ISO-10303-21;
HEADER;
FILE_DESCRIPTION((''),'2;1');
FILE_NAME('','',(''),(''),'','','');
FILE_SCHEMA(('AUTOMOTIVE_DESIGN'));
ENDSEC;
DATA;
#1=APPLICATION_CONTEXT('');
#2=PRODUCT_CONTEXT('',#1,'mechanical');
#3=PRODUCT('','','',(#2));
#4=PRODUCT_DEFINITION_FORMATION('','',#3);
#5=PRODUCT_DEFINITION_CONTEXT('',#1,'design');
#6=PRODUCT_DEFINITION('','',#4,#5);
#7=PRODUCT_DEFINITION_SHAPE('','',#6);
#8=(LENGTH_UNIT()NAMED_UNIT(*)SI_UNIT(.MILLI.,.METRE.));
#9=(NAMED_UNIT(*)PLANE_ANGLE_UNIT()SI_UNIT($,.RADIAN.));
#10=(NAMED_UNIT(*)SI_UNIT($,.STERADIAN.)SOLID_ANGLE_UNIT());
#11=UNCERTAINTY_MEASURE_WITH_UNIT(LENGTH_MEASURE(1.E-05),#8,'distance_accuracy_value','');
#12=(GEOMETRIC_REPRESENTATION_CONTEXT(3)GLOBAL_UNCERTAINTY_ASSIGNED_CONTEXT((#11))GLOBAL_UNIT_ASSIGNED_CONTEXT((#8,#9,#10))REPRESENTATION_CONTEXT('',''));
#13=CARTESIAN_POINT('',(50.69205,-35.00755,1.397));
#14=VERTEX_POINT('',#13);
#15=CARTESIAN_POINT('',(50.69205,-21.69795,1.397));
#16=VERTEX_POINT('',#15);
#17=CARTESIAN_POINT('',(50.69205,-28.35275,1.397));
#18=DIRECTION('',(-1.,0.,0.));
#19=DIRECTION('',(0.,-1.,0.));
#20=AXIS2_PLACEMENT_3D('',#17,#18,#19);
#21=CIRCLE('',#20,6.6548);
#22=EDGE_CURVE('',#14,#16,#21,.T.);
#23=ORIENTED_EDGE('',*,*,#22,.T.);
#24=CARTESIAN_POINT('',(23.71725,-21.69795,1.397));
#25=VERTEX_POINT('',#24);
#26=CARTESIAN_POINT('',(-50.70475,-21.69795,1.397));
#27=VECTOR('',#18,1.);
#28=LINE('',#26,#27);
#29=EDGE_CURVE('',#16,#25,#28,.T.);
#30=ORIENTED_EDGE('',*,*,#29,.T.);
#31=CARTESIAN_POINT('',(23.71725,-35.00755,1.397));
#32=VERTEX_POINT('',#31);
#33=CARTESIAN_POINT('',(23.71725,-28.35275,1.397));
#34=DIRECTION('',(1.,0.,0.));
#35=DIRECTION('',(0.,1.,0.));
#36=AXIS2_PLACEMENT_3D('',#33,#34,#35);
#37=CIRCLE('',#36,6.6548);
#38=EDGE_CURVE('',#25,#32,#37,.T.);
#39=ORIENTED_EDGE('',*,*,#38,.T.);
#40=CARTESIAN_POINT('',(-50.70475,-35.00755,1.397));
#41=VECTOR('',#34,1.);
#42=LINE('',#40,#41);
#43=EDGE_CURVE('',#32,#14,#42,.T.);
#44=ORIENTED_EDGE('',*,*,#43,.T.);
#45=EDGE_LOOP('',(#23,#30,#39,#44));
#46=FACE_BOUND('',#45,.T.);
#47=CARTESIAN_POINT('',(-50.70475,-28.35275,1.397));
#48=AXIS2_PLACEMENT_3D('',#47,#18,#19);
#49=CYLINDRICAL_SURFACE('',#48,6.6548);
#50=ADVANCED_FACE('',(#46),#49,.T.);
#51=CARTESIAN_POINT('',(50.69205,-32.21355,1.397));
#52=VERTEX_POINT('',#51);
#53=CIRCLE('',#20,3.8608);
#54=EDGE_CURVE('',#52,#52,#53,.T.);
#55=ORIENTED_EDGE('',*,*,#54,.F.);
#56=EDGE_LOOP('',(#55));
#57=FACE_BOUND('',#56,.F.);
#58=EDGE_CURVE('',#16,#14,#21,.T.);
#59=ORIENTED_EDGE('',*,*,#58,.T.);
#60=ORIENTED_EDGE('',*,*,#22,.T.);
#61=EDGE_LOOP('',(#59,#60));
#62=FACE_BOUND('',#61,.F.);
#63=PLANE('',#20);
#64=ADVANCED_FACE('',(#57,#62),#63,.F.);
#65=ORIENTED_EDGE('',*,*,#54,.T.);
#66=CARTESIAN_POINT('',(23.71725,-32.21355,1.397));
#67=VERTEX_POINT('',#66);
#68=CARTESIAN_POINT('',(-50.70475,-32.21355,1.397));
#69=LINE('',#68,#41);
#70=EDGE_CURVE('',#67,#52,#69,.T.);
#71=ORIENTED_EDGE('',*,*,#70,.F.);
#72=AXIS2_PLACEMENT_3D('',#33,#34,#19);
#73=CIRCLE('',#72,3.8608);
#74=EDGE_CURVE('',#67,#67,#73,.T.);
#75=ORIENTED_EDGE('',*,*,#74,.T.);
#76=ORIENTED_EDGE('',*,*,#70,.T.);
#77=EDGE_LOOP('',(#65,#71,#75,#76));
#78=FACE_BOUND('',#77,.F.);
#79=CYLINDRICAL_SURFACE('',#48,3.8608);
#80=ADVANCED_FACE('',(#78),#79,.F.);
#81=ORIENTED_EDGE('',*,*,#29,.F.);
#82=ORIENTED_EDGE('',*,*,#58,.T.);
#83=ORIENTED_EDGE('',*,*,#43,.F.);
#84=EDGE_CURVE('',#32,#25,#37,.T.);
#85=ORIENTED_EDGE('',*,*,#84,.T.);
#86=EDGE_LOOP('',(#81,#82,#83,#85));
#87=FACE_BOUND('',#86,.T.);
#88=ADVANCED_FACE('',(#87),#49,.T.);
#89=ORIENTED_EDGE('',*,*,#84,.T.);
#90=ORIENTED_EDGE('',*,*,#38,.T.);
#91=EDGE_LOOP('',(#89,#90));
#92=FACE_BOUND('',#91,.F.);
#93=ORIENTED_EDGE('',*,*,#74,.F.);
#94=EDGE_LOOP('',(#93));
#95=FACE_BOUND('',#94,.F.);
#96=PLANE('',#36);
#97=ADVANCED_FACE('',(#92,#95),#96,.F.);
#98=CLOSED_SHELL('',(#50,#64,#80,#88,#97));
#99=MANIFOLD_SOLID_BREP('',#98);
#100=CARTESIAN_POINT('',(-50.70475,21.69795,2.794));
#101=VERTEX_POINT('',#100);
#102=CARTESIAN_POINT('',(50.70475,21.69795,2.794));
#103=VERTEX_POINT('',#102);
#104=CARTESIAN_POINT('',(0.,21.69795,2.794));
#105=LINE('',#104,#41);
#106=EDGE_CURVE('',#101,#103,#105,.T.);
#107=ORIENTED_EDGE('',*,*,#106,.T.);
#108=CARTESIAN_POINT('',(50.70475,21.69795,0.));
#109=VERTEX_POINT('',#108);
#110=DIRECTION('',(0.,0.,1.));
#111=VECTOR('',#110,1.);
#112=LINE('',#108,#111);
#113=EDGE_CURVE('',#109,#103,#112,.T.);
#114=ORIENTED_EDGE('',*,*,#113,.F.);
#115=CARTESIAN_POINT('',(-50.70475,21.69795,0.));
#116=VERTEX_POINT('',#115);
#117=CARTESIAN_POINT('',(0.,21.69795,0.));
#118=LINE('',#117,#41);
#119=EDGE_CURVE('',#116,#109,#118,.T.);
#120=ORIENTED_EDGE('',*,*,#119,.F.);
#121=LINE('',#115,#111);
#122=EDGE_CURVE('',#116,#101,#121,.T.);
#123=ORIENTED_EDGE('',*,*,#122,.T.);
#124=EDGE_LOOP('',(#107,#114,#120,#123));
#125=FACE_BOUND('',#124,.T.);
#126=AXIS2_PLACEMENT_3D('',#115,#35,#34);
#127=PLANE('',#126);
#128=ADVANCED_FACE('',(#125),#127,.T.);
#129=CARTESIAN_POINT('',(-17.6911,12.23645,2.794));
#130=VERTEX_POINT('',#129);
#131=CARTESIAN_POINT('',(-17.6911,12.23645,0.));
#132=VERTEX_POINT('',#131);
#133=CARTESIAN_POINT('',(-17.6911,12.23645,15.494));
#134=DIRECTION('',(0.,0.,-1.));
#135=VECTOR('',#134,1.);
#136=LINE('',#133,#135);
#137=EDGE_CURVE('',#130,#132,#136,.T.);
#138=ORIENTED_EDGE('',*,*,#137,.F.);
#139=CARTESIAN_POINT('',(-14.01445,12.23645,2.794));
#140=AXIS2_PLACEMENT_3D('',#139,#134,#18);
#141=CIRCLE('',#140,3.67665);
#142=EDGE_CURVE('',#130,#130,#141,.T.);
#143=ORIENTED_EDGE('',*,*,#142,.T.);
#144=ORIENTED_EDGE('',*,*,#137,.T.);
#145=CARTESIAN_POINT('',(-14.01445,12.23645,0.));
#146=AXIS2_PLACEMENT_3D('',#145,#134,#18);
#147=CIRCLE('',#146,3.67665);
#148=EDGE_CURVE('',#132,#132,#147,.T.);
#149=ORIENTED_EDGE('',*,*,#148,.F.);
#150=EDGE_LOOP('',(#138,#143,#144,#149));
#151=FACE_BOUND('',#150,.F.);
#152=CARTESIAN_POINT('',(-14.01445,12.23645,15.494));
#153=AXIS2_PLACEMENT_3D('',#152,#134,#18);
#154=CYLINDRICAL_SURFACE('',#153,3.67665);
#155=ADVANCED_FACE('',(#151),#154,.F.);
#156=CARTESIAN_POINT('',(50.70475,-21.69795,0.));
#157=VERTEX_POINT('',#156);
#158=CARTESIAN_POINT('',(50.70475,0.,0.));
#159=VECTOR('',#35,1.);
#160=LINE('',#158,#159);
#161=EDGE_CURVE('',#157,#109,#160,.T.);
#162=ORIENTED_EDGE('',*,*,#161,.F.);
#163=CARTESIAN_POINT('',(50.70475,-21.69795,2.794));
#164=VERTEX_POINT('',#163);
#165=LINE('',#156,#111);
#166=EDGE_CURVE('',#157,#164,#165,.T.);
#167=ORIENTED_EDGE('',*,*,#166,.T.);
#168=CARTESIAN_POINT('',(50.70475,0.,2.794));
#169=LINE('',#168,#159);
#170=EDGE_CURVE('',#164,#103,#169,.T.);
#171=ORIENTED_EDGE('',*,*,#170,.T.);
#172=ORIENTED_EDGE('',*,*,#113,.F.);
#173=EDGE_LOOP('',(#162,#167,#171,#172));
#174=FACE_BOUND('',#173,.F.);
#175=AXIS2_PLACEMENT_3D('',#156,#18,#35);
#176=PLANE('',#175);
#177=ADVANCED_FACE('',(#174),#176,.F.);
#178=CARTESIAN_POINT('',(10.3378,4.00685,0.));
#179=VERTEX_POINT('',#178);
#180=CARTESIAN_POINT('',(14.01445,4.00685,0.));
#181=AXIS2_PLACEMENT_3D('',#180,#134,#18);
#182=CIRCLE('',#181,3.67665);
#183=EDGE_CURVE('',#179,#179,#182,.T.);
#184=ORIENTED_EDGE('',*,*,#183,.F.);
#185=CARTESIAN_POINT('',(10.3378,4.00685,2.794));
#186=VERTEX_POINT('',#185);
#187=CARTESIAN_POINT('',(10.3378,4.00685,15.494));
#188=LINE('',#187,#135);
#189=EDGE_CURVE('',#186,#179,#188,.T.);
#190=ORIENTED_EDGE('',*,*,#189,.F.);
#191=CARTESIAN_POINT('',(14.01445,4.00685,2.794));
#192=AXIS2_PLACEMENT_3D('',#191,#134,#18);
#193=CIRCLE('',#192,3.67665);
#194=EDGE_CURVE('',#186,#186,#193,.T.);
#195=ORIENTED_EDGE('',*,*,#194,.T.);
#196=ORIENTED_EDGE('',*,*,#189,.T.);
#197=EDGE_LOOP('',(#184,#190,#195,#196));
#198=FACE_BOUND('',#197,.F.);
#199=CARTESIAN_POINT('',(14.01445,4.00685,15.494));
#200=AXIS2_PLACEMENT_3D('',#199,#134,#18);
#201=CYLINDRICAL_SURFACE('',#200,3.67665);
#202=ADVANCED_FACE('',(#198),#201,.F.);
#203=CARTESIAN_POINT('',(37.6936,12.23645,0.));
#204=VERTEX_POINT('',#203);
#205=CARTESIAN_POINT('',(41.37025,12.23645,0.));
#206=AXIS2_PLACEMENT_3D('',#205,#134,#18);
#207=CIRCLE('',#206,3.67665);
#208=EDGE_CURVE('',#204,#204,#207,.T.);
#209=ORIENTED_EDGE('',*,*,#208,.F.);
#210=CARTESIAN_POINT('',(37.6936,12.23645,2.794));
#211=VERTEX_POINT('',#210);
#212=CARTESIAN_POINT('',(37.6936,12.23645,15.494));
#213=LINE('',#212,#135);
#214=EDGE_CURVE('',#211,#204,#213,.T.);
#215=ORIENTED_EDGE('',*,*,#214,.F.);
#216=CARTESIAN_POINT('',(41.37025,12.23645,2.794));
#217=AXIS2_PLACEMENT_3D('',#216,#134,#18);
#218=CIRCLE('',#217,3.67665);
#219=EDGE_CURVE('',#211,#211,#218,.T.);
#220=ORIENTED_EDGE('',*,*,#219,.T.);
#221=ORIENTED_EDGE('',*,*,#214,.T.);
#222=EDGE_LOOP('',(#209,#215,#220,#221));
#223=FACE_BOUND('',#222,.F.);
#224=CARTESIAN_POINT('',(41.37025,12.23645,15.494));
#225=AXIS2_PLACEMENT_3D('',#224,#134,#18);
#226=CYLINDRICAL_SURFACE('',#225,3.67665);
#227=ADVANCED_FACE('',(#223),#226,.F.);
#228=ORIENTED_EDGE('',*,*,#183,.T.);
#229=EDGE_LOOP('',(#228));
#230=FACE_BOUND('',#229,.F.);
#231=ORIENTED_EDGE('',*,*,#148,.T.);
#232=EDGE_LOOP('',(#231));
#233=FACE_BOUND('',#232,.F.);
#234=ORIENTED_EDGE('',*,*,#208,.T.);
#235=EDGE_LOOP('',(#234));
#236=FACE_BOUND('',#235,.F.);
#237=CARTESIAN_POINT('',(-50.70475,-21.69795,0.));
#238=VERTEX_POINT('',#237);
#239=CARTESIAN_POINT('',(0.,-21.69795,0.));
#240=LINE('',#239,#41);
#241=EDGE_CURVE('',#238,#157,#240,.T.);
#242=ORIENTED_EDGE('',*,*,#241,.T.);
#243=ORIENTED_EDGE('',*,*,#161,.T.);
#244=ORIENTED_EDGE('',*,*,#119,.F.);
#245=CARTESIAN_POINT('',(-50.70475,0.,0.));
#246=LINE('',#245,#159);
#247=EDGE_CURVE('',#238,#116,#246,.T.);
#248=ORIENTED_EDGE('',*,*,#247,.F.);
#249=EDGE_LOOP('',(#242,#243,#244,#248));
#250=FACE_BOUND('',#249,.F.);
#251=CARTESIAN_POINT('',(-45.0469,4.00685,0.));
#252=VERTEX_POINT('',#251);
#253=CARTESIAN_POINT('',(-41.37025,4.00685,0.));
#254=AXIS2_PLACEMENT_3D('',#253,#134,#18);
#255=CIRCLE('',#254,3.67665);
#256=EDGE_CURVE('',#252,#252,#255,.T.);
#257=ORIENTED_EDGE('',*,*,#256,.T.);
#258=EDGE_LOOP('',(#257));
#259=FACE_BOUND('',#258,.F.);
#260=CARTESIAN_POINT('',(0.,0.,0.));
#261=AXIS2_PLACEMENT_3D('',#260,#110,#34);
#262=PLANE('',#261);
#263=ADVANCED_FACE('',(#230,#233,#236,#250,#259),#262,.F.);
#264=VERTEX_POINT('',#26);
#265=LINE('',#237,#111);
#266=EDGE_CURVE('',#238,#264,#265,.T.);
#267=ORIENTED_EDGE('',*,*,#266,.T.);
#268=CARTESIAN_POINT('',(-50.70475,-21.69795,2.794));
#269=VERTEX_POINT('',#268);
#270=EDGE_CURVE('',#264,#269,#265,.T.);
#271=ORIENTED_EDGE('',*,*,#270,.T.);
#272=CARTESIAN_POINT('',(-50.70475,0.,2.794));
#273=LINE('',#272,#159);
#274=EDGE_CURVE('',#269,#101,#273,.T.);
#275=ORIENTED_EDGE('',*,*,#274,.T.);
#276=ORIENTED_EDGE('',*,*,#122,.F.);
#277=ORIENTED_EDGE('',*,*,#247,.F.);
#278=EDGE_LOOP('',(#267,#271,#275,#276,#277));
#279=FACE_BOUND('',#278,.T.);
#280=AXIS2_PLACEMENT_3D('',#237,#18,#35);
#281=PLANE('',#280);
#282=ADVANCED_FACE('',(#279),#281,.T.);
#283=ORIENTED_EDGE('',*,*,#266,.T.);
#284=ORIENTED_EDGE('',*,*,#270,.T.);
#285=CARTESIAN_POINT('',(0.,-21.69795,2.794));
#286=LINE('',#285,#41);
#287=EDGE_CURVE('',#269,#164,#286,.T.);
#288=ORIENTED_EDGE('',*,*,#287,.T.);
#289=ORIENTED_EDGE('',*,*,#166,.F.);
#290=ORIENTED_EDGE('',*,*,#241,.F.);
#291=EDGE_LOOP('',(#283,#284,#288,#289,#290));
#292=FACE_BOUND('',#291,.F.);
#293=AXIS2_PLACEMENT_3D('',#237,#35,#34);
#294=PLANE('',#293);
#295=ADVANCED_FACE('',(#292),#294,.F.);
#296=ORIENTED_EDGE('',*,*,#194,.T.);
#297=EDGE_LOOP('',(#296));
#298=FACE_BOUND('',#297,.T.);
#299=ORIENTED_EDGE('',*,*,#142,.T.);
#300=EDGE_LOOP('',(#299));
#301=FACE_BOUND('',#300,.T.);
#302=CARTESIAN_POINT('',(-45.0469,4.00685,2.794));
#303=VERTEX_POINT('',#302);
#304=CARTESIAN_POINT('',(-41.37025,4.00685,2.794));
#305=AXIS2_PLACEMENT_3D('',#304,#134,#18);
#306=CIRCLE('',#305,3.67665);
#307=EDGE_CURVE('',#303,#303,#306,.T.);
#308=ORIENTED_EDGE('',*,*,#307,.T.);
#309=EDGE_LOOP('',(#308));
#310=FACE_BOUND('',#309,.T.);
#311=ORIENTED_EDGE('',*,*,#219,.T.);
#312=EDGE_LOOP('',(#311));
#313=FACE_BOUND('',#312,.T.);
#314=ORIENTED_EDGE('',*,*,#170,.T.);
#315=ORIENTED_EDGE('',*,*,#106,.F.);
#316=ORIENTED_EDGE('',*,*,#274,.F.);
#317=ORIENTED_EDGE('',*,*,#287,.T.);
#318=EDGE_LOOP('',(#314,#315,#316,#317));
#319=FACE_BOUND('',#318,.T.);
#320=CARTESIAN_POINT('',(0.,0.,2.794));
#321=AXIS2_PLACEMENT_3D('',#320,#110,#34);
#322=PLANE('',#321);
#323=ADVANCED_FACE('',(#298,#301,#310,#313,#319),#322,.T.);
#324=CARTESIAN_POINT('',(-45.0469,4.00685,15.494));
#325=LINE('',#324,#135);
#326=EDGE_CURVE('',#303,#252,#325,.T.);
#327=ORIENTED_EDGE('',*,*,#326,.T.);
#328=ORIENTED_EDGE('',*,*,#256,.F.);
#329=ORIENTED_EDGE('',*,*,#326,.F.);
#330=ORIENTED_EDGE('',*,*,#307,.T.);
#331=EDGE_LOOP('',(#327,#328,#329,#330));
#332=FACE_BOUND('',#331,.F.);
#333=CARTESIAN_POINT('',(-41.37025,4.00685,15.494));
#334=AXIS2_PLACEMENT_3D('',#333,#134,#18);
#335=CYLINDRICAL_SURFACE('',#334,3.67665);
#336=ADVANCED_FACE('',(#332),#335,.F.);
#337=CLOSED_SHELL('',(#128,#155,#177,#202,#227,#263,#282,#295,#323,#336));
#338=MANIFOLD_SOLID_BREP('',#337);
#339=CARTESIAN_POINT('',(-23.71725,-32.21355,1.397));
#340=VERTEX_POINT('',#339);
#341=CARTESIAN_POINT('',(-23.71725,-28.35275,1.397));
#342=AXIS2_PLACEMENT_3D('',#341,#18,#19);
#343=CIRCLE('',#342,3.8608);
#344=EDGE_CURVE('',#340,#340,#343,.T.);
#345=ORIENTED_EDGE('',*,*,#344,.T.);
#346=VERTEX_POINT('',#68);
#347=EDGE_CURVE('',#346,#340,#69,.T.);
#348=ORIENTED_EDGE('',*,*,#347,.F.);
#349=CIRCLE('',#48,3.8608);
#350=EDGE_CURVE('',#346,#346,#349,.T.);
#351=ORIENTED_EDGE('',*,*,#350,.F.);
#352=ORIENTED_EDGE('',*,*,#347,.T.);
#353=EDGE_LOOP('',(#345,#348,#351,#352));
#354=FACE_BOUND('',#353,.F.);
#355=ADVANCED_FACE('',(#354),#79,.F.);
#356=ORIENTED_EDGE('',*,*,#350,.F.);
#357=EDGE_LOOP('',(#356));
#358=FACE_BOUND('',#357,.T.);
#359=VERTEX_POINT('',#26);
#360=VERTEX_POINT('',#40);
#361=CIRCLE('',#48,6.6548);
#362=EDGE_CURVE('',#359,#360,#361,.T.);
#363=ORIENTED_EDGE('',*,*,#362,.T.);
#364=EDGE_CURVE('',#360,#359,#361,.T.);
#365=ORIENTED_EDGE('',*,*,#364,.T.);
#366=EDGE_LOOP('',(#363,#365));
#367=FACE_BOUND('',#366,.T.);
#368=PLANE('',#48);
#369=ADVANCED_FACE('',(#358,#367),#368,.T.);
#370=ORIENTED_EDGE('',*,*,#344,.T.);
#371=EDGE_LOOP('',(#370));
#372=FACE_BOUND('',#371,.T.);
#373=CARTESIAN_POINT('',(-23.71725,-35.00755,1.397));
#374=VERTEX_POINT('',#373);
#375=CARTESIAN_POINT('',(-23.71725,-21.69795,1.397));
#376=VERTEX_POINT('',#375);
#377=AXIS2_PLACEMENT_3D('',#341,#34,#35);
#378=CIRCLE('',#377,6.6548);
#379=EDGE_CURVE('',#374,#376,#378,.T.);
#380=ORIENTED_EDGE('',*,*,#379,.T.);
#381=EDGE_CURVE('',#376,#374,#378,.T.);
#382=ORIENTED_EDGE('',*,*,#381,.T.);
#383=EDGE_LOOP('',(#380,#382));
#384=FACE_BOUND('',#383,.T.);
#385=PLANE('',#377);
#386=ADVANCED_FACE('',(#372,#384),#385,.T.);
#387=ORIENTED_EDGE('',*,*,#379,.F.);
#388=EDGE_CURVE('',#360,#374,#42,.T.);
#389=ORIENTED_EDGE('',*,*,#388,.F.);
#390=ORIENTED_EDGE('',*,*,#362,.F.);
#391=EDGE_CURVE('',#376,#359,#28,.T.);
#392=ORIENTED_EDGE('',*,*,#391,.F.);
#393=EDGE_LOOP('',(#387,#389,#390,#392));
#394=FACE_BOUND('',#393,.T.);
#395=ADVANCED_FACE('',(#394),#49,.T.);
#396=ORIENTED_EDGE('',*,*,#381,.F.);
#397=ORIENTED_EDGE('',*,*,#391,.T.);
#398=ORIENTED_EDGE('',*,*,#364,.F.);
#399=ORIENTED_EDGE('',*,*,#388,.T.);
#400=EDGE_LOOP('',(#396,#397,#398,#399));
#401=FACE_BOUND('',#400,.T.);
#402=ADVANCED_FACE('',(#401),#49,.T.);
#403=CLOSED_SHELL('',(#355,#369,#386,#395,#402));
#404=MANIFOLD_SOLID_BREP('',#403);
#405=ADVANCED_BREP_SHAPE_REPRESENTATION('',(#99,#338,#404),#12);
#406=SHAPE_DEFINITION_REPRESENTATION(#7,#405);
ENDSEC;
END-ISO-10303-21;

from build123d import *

# Parameters (mm, degrees)
F0_W          = 101.4095
F0_H          = 43.3959
F1_DEPTH      = 2.794
F2_R          = 6.6548
F2_R_2        = 3.8608
F3_DEPTH      = 101.3968
F4_R          = 6.6548
F4_R_2        = 3.8608
F5_DEPTH      = 23.71725
F5_DEPTH_BACK = 23.71725
F7_D          = 7.3533
F7_DEPTH      = 12.7


with BuildPart() as f1:
    # F0 (on Top) → F1 (new body)
    with BuildSketch(Plane.XY):
        Rectangle(F0_W, F0_H)
    extrude(amount=F1_DEPTH)

    # F2 (on face) → F3 (join)
    with BuildSketch(Plane(origin=(-50.70475, 0, 0), x_dir=(0, -1, 0), z_dir=(-1, 0, 0))):
        with Locations((28.35275, 1.397)):
            Circle(F2_R)
        with Locations((28.35275, 1.397)):
            Circle(F2_R_2, mode=Mode.SUBTRACT)
    extrude(amount=-F3_DEPTH)

    # F4 (on Right) → F5 (cut, two sides)
    with BuildSketch(Plane.YZ) as f5_sk:
        with Locations((-28.35275, 1.397)):
            Circle(F4_R)
        with Locations((-28.35275, 1.397)):
            Circle(F4_R_2, mode=Mode.SUBTRACT)
    extrude(amount=F5_DEPTH, mode=Mode.SUBTRACT)
    extrude(f5_sk.sketch, amount=-F5_DEPTH_BACK, mode=Mode.SUBTRACT)

    # F7
    with Locations(Plane.XY.offset(2.794)):
        with Locations((41.37025, 12.23645), (14.01445, 4.00685), (-14.01445, 12.23645), (-41.37025, 4.00685)):
            Hole(F7_D / 2, depth=F7_DEPTH)


solid = f1.part
